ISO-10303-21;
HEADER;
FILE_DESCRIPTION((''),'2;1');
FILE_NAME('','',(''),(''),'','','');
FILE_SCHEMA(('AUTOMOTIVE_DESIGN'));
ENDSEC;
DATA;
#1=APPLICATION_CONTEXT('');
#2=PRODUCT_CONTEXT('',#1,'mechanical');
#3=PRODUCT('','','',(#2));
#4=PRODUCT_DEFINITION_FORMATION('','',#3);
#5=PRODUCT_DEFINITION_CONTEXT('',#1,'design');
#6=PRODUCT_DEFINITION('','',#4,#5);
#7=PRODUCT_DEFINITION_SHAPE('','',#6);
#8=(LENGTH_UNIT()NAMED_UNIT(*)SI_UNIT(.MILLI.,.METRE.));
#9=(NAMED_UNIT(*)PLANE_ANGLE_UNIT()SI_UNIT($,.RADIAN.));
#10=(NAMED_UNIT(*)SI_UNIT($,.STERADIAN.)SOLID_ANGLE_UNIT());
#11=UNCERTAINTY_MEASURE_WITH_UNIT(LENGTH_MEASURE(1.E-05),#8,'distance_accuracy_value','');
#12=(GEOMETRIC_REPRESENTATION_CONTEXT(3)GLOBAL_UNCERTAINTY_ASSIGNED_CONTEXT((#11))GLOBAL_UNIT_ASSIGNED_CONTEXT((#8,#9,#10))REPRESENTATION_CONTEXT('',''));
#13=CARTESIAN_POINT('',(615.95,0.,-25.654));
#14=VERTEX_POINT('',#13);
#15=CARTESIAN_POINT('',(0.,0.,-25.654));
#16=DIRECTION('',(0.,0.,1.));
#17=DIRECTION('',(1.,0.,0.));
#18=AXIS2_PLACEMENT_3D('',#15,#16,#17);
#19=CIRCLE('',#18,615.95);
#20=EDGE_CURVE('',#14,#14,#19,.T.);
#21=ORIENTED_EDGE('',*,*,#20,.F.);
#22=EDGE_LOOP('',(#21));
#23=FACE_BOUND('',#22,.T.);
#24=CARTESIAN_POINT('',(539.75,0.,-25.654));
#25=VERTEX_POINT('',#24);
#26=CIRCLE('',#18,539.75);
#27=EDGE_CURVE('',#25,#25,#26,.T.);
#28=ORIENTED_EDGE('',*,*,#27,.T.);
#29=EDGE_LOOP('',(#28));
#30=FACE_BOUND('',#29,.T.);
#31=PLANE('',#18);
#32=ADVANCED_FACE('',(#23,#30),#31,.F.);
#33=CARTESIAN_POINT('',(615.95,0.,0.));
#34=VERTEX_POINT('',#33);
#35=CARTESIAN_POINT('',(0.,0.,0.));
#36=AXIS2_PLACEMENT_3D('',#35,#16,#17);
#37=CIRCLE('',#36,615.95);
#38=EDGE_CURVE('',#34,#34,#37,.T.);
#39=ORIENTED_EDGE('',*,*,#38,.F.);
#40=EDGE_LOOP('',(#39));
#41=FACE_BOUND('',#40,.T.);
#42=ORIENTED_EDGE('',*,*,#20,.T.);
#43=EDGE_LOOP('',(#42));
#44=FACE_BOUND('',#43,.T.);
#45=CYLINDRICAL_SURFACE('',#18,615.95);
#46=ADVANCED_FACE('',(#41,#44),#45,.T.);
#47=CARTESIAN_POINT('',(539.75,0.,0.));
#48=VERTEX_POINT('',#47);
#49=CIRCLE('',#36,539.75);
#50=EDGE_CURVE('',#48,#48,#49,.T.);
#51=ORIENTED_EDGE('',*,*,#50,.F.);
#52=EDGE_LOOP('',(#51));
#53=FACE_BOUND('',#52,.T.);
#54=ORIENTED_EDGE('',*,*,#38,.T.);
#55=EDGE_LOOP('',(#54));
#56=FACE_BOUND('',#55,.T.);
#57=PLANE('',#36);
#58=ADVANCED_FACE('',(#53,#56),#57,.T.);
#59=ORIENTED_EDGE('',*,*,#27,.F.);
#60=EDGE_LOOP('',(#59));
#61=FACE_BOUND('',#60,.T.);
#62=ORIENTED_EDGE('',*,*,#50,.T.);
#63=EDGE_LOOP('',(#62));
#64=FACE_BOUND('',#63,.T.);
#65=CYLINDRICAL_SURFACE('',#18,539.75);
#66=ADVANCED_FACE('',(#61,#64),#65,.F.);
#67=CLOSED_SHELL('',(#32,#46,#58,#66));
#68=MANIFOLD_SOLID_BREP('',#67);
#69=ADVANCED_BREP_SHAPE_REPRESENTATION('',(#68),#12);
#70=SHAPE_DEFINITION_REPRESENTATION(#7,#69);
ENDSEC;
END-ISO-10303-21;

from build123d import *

# Parameters (mm, degrees)
SKETCH1_R          = 615.95
SKETCH1_R_2        = 539.75
BASE_EXTRUDE_DEPTH = 25.654


with BuildPart() as part:
    # Sketch1 → Base-Extrude (new body)
    with BuildSketch(Plane.XY):
        Circle(SKETCH1_R)
        Circle(SKETCH1_R_2, mode=Mode.SUBTRACT)
    extrude(amount=-BASE_EXTRUDE_DEPTH)


solid = part.part
